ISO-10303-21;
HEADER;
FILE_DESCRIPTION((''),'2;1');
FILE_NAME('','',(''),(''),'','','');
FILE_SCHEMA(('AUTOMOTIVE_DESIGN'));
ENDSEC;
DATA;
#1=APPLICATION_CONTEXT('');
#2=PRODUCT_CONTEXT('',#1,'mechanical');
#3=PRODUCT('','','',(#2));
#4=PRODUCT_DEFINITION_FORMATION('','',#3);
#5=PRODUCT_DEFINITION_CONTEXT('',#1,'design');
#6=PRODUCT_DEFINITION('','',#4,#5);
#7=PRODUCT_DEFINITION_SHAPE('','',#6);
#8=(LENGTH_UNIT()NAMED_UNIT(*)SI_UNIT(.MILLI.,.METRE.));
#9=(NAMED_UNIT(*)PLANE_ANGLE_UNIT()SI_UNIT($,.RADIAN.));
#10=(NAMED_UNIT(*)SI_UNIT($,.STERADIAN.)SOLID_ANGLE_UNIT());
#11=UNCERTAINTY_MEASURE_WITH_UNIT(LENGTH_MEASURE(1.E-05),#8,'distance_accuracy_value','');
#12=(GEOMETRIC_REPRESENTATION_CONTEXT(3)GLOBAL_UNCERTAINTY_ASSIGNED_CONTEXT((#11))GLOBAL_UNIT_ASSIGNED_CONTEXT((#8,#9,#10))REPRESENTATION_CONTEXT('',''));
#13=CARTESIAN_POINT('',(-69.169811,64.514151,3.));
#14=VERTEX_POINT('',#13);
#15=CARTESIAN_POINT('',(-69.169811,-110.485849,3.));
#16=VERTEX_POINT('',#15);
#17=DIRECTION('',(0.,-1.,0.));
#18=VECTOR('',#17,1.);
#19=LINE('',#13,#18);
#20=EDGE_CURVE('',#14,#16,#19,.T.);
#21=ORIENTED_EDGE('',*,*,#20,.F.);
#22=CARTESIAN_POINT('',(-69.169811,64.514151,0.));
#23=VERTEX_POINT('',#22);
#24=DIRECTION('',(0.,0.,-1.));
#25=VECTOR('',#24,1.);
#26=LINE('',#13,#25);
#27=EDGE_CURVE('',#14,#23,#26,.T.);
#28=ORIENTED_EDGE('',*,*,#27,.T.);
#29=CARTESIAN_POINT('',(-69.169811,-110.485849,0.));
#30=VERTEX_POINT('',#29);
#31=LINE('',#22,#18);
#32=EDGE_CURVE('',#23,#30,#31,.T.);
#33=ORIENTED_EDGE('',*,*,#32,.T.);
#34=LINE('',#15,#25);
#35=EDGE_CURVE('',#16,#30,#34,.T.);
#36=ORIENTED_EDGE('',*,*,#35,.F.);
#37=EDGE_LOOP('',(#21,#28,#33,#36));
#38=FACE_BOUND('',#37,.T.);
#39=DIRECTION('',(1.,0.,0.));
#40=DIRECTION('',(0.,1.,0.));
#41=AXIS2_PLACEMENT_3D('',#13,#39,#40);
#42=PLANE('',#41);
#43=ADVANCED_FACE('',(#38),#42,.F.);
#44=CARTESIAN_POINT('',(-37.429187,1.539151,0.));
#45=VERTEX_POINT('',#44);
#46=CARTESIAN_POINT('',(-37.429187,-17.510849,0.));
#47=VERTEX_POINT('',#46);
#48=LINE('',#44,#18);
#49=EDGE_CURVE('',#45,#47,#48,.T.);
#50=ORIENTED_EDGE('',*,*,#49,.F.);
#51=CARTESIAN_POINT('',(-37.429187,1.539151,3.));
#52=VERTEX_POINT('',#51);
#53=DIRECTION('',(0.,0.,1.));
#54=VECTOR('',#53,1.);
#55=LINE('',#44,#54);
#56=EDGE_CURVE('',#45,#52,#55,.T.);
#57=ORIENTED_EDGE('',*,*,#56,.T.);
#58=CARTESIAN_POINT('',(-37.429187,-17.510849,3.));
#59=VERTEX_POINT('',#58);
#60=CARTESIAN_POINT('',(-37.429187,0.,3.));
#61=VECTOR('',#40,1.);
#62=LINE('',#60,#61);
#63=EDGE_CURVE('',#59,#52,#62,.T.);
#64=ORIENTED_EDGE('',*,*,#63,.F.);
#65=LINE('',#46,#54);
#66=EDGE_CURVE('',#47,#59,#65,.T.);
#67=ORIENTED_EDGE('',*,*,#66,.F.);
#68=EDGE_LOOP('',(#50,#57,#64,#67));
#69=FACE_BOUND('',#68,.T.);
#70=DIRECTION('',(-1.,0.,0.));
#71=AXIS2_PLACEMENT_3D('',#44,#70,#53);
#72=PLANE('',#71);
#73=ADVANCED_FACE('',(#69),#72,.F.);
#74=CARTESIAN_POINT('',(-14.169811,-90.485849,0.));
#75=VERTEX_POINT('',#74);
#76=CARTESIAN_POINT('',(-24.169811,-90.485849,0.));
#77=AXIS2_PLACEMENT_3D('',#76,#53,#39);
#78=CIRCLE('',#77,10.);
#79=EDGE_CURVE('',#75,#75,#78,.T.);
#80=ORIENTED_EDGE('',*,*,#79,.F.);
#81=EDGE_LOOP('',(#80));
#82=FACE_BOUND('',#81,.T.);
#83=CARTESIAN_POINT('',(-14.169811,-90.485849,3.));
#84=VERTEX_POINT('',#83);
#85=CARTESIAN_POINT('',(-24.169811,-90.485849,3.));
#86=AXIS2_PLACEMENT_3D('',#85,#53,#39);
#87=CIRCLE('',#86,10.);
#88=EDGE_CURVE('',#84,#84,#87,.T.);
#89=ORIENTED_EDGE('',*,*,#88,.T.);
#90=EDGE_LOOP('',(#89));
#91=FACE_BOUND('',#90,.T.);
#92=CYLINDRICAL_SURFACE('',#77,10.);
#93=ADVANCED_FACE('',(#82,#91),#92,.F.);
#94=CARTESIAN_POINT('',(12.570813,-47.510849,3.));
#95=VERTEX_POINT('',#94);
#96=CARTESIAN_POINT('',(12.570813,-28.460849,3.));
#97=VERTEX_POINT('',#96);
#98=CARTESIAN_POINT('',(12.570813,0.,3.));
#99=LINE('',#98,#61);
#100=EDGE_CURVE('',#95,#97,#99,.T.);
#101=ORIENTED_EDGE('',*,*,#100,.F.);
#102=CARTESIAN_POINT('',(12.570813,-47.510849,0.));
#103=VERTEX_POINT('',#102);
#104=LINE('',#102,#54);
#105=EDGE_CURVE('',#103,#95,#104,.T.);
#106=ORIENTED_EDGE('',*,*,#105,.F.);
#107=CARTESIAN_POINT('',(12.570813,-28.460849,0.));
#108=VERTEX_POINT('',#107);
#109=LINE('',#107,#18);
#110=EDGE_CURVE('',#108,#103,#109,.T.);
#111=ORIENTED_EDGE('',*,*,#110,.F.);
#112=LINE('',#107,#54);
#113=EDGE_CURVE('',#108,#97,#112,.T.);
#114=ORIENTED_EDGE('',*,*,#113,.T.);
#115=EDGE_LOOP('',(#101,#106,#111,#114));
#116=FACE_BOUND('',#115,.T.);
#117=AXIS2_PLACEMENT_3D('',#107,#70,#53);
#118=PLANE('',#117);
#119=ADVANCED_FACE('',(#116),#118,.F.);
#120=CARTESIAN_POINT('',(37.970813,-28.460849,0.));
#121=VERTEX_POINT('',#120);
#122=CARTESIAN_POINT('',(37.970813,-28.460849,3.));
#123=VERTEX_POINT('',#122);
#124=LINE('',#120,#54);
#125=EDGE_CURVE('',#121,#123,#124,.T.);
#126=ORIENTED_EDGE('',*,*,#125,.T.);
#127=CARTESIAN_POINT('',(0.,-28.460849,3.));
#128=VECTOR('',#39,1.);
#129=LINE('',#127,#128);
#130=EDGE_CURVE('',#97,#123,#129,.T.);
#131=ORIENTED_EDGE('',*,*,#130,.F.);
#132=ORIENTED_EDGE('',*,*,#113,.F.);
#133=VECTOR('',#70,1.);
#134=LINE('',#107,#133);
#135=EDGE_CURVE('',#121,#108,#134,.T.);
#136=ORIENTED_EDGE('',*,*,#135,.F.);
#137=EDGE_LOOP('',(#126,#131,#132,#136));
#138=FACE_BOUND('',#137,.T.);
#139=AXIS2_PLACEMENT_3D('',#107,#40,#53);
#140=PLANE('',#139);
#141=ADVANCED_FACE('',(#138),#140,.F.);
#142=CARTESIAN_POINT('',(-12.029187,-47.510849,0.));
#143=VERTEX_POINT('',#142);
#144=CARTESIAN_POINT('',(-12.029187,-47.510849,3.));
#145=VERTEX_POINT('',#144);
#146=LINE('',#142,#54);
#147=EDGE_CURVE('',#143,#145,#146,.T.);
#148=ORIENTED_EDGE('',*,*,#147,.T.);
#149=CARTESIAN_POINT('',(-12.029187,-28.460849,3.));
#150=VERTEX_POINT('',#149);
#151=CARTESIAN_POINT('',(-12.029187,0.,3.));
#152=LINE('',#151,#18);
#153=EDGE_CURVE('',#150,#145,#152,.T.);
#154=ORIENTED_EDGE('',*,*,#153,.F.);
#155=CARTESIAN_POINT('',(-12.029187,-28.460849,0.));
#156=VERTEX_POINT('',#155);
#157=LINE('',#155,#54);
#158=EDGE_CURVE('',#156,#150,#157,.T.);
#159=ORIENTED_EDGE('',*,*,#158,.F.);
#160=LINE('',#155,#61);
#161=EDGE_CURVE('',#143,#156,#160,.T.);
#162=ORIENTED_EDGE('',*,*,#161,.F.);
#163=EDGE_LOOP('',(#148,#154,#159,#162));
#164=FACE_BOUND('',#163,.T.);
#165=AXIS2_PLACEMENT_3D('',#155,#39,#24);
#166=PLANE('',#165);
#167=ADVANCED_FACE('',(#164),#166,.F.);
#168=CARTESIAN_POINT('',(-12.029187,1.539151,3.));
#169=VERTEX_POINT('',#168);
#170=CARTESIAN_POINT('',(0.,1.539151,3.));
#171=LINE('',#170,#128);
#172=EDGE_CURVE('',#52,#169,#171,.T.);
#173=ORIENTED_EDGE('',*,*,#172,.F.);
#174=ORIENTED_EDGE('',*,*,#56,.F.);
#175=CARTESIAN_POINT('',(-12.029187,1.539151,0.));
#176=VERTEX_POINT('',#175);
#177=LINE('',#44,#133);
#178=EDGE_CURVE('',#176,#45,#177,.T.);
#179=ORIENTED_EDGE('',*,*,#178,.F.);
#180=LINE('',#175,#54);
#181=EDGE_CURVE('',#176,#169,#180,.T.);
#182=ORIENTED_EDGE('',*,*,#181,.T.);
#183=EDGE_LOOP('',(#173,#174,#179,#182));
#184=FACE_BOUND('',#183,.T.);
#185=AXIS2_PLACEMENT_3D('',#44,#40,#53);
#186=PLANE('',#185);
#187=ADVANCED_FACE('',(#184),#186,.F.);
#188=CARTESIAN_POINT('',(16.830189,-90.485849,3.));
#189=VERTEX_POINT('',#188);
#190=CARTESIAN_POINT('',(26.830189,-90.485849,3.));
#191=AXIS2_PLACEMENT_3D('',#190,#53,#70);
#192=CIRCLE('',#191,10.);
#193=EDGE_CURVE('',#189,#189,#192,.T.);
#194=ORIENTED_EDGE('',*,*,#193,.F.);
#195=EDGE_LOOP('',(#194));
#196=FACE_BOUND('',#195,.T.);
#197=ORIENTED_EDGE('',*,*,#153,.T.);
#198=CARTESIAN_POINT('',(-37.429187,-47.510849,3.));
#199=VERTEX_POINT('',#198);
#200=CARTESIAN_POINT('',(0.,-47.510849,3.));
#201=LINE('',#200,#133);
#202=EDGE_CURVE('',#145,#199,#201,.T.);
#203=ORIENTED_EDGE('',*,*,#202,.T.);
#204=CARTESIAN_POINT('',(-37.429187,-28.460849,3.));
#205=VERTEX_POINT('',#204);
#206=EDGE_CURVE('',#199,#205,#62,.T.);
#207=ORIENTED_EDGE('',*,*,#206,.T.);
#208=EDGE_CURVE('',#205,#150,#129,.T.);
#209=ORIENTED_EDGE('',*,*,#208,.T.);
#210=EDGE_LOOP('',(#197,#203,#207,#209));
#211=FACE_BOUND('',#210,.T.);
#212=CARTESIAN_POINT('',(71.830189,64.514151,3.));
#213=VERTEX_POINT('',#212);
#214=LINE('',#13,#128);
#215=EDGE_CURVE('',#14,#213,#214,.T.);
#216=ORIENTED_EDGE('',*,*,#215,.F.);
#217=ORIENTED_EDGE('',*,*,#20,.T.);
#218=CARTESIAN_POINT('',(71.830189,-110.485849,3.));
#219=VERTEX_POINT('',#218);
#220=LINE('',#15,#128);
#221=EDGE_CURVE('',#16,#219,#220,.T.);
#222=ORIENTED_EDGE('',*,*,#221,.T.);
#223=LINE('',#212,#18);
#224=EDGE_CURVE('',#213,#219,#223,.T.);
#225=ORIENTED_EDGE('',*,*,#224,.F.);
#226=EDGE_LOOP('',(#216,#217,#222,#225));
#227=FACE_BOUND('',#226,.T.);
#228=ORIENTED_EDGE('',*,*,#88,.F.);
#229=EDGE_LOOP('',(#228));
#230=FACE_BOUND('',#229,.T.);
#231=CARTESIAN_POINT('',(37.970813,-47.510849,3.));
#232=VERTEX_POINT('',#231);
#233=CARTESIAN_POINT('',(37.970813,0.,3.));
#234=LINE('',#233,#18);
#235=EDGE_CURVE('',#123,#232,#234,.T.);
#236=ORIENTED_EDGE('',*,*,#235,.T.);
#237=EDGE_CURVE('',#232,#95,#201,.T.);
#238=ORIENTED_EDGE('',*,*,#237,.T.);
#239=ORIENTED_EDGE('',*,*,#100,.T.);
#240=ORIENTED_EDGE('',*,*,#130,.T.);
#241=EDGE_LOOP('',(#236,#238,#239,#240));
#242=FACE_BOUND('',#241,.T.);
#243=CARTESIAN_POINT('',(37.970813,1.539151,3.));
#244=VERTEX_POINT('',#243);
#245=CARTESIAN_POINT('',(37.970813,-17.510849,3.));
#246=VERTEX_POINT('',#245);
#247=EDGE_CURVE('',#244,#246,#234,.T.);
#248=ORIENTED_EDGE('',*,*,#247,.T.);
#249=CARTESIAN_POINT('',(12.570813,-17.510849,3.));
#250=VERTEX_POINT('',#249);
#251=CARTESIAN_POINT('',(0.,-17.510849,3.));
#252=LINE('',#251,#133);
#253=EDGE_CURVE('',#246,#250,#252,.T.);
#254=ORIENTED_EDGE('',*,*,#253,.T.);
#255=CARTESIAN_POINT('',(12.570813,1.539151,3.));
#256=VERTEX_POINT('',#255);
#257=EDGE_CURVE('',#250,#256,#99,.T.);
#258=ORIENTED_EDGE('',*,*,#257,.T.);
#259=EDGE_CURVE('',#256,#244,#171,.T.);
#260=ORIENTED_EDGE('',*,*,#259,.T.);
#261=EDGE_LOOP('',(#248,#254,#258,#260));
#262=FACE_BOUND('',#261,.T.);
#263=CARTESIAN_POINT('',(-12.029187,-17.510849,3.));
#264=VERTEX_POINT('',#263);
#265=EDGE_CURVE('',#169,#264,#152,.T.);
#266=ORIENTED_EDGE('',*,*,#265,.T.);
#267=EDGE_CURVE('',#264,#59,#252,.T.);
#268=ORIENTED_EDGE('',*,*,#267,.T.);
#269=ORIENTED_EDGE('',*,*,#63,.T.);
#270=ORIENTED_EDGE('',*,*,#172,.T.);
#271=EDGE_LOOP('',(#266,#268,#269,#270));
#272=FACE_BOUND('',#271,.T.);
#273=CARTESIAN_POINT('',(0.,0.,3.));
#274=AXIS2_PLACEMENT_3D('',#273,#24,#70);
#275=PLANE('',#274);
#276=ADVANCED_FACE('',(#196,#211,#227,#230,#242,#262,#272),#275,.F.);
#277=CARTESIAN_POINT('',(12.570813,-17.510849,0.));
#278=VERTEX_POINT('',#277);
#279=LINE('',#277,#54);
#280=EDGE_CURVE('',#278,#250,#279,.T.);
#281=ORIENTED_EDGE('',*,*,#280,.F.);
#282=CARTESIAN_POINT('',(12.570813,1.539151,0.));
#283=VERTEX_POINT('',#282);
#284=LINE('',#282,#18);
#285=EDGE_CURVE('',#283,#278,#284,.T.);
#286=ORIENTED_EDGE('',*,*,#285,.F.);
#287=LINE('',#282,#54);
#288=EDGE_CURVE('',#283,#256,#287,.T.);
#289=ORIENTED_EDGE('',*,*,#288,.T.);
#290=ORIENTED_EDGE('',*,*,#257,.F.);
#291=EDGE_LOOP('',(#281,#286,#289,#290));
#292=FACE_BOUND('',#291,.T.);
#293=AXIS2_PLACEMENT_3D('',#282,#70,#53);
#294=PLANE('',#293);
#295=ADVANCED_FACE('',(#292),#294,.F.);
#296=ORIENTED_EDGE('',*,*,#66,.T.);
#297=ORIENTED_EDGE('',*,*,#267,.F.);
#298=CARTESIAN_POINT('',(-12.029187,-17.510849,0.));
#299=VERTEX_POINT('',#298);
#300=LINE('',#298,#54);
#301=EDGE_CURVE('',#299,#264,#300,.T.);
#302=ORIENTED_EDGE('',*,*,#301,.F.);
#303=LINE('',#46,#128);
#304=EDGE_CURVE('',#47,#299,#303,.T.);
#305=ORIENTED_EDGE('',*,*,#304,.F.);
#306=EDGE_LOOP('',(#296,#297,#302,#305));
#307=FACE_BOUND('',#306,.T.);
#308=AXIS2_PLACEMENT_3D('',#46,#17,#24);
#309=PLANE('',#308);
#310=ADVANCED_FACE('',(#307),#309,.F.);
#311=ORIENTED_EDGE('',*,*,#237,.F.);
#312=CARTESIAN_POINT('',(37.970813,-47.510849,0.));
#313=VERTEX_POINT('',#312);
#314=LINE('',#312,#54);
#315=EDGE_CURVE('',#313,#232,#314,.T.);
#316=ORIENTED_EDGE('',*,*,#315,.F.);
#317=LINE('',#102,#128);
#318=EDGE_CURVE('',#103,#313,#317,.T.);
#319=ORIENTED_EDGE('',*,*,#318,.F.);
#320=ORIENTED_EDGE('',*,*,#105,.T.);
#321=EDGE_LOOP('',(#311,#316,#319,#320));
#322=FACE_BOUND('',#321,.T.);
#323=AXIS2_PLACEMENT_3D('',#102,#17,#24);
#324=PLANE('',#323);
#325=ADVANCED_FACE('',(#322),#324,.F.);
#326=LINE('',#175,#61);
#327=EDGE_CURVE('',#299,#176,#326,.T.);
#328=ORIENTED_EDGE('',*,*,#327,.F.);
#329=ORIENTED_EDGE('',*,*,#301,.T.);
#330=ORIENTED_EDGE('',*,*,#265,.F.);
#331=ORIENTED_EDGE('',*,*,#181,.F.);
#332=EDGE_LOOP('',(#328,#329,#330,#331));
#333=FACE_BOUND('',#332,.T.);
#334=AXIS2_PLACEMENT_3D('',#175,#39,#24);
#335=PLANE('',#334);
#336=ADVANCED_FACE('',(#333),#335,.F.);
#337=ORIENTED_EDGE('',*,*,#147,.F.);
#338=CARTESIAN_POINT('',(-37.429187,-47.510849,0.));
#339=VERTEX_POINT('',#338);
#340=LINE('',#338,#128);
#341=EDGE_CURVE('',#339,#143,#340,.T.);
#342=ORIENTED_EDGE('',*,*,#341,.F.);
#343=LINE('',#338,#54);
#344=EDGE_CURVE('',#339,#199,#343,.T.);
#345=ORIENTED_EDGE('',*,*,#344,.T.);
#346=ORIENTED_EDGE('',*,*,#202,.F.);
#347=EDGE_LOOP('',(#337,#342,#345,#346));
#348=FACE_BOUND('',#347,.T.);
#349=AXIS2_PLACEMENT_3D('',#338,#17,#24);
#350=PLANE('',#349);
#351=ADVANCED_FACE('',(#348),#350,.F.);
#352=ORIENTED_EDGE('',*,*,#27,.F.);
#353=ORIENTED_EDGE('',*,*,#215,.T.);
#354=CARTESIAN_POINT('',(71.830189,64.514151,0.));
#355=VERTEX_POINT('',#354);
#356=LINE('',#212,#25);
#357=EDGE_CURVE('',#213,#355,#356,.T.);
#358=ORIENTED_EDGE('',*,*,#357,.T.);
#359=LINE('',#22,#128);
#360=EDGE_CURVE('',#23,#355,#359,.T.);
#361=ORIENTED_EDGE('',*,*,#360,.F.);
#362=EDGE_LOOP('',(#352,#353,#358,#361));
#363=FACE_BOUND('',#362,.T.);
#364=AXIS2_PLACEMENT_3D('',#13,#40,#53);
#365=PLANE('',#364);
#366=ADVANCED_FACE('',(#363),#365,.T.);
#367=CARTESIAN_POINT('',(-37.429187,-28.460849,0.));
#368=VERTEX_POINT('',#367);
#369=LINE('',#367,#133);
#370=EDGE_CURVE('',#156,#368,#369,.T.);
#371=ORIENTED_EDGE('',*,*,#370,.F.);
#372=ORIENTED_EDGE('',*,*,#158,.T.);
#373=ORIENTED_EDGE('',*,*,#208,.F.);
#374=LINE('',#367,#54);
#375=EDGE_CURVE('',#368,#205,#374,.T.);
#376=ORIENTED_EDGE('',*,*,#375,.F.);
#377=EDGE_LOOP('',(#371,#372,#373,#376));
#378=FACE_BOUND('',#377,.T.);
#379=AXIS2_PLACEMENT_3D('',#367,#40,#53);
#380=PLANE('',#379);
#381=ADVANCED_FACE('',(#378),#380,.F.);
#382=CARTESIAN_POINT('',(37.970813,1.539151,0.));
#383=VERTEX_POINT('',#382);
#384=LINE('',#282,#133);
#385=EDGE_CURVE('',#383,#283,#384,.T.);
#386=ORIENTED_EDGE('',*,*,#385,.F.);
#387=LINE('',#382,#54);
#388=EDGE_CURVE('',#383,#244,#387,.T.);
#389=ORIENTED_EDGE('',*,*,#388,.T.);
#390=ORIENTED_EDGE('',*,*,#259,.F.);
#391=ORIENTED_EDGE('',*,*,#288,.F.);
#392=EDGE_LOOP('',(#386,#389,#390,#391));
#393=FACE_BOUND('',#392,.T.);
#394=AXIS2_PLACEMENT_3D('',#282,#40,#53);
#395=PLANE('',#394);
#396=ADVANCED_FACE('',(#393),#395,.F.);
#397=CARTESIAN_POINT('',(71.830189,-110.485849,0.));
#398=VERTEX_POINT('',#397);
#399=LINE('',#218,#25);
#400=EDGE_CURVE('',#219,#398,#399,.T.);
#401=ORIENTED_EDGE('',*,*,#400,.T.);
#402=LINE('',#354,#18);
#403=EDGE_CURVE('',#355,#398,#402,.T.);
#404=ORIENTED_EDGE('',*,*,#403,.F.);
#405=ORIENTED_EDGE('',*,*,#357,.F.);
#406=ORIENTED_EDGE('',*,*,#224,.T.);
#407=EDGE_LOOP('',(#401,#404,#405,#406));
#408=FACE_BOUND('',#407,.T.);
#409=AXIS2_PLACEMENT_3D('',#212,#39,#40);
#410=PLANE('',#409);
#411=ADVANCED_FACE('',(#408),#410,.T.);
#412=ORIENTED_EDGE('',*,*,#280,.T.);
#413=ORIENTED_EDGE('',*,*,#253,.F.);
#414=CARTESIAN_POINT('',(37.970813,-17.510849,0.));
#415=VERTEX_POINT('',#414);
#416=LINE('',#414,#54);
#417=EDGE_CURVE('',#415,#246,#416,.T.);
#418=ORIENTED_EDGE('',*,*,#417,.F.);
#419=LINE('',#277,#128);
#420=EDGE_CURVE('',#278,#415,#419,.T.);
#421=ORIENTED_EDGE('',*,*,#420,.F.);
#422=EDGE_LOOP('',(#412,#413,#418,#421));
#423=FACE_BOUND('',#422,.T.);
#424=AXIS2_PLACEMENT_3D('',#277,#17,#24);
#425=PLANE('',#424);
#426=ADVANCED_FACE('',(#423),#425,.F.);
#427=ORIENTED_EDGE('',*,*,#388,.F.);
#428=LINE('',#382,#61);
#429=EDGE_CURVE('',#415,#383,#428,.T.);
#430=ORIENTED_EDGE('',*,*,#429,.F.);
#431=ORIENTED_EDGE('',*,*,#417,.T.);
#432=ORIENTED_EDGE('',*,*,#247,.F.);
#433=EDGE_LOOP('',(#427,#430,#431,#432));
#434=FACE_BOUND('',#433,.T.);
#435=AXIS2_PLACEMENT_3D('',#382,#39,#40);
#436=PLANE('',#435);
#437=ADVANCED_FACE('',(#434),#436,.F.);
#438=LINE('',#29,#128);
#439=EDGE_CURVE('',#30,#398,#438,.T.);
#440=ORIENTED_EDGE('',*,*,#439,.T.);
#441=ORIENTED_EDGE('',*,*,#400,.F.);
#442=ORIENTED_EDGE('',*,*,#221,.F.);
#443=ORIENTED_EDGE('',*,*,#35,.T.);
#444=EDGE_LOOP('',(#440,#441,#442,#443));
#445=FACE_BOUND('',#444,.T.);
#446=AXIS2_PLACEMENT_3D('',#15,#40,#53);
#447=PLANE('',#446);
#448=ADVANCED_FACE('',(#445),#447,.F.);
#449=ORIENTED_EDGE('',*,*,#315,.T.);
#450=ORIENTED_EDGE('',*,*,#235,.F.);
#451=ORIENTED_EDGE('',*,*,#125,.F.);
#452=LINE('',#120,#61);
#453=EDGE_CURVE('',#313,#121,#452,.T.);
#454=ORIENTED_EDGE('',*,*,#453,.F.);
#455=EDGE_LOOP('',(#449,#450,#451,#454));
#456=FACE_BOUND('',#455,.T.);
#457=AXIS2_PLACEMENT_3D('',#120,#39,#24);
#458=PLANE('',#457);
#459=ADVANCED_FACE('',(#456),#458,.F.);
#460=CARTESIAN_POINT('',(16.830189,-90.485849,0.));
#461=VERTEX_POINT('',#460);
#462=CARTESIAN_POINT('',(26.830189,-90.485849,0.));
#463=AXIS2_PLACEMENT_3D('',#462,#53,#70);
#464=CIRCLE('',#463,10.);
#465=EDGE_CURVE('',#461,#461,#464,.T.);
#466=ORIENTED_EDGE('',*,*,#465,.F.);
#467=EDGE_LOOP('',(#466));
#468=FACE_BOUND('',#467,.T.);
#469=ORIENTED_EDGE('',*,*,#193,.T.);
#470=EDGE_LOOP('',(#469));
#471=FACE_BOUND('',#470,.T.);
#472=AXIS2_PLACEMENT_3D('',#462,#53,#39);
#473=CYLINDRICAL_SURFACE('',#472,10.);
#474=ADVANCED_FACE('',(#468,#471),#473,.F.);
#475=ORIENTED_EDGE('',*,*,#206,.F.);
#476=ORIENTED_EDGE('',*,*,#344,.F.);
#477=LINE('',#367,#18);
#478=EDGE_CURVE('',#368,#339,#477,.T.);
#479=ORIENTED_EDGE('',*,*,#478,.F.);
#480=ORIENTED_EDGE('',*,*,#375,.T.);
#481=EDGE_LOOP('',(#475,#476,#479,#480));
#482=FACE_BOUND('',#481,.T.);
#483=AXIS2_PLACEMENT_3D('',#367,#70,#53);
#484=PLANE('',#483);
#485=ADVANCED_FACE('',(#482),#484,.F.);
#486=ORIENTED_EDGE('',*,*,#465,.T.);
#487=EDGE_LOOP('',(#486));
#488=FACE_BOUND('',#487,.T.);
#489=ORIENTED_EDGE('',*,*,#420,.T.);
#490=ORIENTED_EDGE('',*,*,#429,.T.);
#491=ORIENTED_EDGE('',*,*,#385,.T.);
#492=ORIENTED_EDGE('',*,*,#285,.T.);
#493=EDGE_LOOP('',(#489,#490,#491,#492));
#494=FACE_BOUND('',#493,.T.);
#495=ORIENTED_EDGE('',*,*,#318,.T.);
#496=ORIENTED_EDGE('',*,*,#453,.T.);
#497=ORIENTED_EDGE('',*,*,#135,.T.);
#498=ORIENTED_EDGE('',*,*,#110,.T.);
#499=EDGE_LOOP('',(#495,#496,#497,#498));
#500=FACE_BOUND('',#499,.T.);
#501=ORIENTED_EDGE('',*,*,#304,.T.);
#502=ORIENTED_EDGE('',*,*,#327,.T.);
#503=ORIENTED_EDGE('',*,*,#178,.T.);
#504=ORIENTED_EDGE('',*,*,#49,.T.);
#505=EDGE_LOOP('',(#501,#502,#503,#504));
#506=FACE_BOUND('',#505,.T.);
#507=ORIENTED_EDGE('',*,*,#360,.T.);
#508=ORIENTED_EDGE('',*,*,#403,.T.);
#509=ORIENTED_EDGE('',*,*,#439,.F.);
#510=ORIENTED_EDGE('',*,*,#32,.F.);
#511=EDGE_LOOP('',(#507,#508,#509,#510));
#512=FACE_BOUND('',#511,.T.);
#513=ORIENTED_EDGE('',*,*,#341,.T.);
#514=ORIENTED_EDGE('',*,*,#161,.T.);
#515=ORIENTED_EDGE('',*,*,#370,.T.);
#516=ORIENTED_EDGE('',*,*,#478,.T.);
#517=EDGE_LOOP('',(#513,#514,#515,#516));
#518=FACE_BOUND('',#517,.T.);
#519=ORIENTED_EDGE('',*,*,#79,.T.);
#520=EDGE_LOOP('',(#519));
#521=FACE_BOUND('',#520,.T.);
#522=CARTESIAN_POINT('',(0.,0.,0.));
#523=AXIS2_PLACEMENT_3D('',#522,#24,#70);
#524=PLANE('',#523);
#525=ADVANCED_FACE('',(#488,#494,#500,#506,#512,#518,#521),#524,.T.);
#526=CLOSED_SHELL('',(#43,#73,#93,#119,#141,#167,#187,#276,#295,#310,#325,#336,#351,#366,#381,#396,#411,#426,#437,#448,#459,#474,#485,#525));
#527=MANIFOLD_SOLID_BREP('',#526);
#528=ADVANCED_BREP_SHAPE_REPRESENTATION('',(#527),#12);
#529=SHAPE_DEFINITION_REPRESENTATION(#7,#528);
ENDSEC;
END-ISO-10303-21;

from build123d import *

# Parameters (mm, degrees)
SKETCH1_W               = 141
SKETCH1_H               = 175
BOSS_EXTRUDE1_DEPTH     = 3
CUT_EXTRUDE1_DEPTH      = 132.816914117
CUT_EXTRUDE1_DEPTH_BACK = 132.816914117
SKETCH4_W               = 25.4
SKETCH4_H               = 19.05
SKETCH5_R               = 10
CUT_EXTRUDE2_DEPTH      = 132.816914117


with BuildPart() as part:
    # Sketch1 → Boss-Extrude1 (new body)
    with BuildSketch(Plane.XY):
        with Locations((1.330188679, -22.985849057)):
            Rectangle(SKETCH1_W, SKETCH1_H)
    extrude(amount=BOSS_EXTRUDE1_DEPTH)

    # Sketch4 → Cut-Extrude1 (cut, two sides: drawn at the far end of the back side and taken through both)
    with BuildSketch(Plane.XY.offset(3).offset(-CUT_EXTRUDE1_DEPTH_BACK)):
        with Locations((25.270813238, -37.985849057)):
            Rectangle(SKETCH4_W, SKETCH4_H)
        with Locations((25.270813238, -7.985849057)):
            Rectangle(SKETCH4_W, SKETCH4_H)
        with Locations((-24.729186762, -37.985849057)):
            Rectangle(SKETCH4_W, SKETCH4_H)
        with Locations((-24.729186762, -7.985849057)):
            Rectangle(SKETCH4_W, SKETCH4_H)
    extrude(amount=CUT_EXTRUDE1_DEPTH + CUT_EXTRUDE1_DEPTH_BACK, mode=Mode.SUBTRACT)

    # Sketch5 → Cut-Extrude2 (cut, through all)
    with BuildSketch(Plane.XY.offset(3)):
        with Locations((-24.169811321, -90.485849057)):
            Circle(SKETCH5_R)
        with Locations(Location((26.830188679, -90.485849057, 0), (0, 0, 180))):
            Circle(SKETCH5_R)
    extrude(amount=-CUT_EXTRUDE2_DEPTH, mode=Mode.SUBTRACT)


solid = part.part
